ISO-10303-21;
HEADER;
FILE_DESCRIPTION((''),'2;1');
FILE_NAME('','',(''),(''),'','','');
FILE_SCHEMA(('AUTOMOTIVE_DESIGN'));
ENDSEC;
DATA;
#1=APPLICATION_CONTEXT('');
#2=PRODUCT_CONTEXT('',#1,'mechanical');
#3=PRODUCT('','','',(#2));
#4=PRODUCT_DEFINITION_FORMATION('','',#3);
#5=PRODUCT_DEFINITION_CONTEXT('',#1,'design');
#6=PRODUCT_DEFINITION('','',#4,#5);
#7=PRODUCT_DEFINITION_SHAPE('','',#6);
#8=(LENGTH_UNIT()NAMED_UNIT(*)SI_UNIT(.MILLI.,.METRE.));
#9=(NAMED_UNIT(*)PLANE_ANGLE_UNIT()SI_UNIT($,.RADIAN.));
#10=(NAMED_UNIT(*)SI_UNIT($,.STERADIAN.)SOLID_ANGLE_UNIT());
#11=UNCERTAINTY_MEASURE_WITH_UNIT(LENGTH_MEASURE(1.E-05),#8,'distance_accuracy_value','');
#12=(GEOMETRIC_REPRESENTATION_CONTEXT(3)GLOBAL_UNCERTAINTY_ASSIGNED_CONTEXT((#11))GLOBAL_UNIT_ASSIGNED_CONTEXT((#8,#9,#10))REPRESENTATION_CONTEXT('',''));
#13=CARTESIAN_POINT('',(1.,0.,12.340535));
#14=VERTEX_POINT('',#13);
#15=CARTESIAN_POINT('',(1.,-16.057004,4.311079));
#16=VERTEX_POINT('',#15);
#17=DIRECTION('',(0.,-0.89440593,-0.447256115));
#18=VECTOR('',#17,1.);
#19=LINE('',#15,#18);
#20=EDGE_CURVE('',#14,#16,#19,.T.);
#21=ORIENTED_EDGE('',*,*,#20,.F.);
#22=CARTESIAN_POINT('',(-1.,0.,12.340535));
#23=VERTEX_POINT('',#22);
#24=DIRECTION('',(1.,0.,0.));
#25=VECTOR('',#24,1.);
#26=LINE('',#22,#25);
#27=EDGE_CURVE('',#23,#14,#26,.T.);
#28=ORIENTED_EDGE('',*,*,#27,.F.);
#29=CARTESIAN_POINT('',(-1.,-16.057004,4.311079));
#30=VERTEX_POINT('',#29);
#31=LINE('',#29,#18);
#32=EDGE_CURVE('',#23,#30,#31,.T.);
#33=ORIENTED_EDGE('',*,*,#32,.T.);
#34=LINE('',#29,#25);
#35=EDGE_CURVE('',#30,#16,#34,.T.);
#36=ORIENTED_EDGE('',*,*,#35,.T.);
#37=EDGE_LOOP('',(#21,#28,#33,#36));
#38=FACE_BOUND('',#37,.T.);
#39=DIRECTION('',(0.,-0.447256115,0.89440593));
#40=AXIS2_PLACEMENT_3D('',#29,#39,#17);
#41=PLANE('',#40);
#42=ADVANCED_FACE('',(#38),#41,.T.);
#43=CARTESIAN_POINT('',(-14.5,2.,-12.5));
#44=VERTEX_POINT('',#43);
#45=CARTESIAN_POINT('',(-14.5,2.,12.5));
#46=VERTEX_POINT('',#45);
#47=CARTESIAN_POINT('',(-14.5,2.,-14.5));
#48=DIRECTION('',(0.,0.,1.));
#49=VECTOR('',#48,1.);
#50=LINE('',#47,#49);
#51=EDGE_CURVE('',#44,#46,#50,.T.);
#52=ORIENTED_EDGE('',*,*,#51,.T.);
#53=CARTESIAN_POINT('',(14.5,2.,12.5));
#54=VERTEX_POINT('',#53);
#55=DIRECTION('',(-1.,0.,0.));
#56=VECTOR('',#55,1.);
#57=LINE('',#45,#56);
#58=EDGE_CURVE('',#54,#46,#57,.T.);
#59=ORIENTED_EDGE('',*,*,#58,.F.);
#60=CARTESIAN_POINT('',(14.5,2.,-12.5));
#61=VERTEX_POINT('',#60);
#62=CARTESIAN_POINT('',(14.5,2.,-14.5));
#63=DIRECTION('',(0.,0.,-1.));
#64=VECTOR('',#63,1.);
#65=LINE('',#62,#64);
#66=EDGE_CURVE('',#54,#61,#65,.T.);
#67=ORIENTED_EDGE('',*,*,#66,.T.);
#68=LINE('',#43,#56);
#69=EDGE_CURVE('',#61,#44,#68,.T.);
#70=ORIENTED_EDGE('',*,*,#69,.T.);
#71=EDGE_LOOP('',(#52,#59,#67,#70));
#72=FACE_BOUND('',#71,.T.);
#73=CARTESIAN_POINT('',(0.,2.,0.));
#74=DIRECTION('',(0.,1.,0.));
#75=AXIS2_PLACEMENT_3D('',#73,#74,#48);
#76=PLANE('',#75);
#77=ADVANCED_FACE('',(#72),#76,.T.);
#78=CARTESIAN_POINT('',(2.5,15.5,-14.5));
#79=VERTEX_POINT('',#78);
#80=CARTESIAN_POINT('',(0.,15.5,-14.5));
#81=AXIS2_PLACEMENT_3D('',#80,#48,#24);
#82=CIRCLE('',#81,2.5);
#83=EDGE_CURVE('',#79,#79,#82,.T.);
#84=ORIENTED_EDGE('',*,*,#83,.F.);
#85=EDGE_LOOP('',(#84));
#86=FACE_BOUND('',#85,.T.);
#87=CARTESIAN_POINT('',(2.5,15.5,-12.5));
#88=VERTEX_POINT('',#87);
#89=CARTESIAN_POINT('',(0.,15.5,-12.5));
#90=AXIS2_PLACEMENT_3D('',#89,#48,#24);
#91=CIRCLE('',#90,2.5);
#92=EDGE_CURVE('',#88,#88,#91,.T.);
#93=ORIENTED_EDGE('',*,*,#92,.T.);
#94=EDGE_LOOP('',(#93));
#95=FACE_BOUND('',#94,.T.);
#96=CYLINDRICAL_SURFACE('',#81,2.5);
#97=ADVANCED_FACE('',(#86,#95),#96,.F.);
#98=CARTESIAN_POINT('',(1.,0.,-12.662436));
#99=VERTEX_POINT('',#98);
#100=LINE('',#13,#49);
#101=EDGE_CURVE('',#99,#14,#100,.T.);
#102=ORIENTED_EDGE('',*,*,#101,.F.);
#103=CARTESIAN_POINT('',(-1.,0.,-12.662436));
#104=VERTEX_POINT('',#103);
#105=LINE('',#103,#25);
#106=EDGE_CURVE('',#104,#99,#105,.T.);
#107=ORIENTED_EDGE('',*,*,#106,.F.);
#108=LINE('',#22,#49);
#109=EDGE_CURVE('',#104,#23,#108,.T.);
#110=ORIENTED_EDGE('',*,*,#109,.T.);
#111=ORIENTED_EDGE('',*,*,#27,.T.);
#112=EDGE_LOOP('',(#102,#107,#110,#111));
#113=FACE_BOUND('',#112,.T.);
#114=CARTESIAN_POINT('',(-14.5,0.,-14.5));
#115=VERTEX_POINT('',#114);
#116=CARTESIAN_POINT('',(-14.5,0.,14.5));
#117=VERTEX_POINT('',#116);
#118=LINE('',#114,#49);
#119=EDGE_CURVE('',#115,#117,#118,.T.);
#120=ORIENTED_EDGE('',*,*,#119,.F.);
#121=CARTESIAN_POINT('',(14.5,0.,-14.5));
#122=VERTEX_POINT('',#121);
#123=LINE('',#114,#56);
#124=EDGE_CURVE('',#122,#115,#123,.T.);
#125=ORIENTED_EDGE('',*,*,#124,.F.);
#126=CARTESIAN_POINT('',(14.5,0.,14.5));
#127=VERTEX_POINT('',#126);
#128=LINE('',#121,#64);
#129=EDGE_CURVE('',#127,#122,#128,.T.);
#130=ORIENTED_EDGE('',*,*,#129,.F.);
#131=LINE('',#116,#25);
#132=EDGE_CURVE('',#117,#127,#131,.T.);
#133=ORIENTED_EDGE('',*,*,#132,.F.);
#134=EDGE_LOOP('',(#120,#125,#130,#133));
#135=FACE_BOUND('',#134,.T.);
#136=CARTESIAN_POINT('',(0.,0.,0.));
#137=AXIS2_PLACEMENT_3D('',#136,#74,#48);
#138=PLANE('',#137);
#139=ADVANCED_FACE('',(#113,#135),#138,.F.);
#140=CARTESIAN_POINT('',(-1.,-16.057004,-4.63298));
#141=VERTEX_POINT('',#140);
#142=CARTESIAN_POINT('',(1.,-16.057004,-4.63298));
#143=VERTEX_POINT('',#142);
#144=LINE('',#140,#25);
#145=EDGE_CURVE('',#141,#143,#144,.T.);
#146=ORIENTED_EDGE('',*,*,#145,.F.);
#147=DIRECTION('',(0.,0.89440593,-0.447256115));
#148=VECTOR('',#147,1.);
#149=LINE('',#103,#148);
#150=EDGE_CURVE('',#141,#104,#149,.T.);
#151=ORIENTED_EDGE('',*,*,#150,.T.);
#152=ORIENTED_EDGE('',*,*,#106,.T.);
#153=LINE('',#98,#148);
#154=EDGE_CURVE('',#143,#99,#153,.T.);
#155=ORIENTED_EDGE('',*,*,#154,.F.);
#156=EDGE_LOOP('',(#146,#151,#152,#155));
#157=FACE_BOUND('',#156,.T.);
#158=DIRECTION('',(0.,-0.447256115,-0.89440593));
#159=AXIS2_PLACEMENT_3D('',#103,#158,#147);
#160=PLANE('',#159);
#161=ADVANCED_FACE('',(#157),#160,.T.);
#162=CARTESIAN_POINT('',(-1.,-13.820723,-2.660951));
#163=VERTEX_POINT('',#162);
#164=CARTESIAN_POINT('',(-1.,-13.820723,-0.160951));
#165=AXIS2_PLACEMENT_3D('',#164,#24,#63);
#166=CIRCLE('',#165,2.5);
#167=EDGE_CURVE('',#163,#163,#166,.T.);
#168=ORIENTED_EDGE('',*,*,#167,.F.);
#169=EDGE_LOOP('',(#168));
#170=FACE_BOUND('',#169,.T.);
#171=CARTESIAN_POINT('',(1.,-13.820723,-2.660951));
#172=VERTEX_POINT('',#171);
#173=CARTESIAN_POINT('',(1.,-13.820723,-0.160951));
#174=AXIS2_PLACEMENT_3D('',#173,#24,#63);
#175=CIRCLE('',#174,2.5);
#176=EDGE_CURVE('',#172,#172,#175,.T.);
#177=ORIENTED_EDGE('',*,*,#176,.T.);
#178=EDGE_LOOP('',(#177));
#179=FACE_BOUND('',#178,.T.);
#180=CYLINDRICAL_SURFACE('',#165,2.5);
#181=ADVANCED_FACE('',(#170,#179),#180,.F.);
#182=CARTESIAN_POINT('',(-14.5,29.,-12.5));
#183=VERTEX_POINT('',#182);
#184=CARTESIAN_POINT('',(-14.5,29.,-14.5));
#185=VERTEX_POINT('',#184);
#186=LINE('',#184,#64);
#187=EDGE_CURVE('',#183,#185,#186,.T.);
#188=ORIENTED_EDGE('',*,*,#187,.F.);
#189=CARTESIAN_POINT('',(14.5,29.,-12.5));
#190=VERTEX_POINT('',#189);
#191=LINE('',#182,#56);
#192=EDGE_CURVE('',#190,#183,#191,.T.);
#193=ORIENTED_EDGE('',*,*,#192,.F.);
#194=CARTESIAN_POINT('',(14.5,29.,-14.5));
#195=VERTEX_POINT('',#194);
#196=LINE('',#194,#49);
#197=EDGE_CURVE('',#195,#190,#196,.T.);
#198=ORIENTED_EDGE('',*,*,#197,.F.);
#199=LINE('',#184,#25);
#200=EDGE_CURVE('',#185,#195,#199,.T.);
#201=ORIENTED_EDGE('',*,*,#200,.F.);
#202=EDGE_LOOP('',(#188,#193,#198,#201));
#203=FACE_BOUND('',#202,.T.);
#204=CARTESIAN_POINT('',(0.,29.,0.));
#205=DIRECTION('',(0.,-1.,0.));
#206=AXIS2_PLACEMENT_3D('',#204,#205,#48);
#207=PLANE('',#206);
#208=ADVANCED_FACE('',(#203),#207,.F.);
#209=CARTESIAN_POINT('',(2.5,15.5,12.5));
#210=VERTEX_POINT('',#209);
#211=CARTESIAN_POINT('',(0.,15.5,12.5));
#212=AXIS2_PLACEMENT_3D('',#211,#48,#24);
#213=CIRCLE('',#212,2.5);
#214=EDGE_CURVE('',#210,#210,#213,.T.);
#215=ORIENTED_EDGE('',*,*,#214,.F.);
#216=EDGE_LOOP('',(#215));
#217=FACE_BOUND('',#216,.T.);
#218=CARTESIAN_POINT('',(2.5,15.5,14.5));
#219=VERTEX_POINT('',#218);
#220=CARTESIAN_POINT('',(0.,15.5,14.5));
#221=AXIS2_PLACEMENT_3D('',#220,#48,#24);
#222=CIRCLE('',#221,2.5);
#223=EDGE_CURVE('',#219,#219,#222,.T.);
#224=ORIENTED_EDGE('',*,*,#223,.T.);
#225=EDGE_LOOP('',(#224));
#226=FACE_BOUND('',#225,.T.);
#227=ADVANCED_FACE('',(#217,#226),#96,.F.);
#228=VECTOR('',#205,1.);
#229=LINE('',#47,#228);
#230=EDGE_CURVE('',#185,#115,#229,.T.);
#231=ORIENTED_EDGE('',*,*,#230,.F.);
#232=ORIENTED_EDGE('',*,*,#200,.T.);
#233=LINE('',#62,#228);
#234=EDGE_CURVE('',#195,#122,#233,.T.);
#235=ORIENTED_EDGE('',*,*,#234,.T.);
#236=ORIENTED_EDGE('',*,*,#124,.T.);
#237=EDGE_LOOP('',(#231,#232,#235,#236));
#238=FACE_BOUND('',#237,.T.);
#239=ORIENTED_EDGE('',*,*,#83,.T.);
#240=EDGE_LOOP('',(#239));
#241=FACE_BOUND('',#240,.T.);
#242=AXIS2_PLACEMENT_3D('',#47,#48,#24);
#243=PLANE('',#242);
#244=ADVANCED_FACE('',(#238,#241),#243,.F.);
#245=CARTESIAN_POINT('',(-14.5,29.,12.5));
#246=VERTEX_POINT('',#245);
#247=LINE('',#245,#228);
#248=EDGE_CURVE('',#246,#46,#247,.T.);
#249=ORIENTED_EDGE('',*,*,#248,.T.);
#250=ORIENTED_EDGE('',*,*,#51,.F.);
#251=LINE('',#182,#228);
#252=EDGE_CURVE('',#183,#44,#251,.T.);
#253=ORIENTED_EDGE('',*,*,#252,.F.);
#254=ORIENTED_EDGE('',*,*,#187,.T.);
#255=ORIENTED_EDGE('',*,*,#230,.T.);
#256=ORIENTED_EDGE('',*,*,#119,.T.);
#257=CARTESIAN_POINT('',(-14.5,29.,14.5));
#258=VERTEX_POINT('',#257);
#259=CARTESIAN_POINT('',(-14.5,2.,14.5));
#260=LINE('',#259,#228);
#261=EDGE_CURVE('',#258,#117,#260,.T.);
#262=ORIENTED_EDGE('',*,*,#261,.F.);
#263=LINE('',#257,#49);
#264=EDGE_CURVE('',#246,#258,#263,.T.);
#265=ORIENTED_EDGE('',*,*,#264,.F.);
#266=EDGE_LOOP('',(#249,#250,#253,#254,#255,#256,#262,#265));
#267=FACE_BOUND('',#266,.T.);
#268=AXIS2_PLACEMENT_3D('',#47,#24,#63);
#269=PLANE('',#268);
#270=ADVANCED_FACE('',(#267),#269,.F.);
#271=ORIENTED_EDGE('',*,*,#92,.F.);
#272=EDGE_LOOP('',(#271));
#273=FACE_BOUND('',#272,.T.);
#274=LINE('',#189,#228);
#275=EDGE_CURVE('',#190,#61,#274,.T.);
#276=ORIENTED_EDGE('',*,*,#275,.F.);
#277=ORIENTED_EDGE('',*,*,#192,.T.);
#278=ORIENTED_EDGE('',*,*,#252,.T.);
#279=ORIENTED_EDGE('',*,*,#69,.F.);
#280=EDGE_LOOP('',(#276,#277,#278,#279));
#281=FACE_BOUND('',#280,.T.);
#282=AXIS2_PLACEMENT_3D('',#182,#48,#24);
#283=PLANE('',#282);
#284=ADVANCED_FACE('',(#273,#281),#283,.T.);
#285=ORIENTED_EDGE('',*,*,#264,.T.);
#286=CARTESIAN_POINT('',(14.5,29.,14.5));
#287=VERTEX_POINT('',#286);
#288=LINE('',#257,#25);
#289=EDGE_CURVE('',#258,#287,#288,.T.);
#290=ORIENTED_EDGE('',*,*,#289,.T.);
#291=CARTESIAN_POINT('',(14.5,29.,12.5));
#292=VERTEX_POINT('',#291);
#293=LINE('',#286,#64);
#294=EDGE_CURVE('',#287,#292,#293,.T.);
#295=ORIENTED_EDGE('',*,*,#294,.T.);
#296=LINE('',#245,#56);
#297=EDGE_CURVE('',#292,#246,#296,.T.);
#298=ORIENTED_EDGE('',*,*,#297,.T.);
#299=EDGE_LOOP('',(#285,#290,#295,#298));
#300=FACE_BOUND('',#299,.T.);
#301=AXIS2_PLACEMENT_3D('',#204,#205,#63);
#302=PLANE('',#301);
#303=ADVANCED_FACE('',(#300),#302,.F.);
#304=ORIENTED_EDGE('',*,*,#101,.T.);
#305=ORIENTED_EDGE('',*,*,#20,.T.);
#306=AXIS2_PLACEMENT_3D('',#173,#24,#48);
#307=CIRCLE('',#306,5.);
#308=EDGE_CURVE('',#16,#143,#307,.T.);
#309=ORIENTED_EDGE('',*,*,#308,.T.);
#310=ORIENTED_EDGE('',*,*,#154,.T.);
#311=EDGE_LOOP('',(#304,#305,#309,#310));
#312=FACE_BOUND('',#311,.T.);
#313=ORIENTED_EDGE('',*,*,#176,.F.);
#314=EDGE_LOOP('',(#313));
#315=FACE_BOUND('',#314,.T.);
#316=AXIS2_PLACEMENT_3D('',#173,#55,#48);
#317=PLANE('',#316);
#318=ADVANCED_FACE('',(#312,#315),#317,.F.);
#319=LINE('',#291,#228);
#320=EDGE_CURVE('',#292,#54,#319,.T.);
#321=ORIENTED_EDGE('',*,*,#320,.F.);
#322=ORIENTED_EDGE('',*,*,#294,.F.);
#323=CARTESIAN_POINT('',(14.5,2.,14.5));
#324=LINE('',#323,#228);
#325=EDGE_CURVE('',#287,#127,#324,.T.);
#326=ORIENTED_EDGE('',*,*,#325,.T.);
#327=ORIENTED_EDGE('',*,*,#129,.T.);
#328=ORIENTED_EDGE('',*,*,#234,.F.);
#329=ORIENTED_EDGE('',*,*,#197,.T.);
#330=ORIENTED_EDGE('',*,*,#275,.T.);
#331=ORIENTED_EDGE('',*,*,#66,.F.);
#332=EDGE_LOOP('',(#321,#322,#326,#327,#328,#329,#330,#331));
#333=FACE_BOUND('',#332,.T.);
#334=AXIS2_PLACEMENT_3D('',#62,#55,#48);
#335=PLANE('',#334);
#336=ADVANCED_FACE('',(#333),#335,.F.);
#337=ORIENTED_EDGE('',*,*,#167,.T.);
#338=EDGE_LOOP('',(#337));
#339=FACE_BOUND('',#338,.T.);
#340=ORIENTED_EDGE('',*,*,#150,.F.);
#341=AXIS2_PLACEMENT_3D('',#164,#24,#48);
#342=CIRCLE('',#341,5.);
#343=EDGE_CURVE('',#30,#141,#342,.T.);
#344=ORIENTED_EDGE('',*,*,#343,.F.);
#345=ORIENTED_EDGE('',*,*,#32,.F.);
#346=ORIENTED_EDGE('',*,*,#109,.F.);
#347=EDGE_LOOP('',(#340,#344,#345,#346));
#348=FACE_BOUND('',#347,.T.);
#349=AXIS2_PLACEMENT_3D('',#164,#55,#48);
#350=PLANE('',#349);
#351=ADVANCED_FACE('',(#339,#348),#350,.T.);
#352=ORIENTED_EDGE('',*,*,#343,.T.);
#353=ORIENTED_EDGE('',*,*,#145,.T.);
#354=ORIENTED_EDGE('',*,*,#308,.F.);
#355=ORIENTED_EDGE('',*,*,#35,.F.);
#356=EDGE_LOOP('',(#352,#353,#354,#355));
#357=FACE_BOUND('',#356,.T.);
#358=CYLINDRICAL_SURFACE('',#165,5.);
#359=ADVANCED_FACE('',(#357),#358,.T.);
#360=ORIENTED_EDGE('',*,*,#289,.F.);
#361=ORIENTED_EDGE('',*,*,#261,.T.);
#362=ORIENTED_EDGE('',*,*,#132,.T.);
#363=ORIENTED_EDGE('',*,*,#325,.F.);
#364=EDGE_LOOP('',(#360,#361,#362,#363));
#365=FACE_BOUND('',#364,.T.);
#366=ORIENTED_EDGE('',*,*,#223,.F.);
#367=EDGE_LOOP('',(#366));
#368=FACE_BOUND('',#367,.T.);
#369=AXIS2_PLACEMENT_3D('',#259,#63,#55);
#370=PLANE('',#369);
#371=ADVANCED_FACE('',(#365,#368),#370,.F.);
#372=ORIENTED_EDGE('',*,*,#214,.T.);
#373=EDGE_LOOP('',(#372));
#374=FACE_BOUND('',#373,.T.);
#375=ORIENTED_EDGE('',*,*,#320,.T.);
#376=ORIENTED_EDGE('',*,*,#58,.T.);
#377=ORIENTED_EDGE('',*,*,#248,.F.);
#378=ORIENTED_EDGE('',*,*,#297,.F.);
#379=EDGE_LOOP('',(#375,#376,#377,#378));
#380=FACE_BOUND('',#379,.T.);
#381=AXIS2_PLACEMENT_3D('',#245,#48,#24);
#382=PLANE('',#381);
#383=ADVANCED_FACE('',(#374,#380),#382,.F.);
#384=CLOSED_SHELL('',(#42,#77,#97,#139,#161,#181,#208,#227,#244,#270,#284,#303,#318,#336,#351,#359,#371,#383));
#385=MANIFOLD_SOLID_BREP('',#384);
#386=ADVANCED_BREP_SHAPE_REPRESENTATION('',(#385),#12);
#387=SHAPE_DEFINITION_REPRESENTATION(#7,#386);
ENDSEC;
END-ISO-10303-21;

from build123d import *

# Parameters (mm, degrees)
SKETCH1_W                = 29
SKETCH1_H                = 29
BOSS_EXTRUDE1_DEPTH      = 2
SKETCH2_W                = 29
SKETCH2_H                = 2
BOSS_EXTRUDE2_DEPTH      = 27
SKETCH4_R                = 2.5
CUT_EXTRUDE1_DEPTH       = 30
SKETCH6_R                = 2.5
BOSS_EXTRUDE3_DEPTH      = 1
BOSS_EXTRUDE3_DEPTH_BACK = 1


with BuildPart() as part:
    # Sketch1 → Boss-Extrude1 (new body)
    with BuildSketch(Plane(origin=(0, 0, 0), x_dir=(1, 0, 0), z_dir=(0, 1, 0))):
        Rectangle(SKETCH1_W, SKETCH1_H)
    extrude(amount=BOSS_EXTRUDE1_DEPTH)

    # Sketch2 → Boss-Extrude2 (add)
    with BuildSketch(Plane(origin=(0, 2, 0), x_dir=(1, 0, 0), z_dir=(0, 1, 0))):
        with Locations((0, -13.5)):
            Rectangle(SKETCH2_W, SKETCH2_H)
    boss_extrude2 = extrude(amount=BOSS_EXTRUDE2_DEPTH)

    # Mirror1: Boss-Extrude2 across plane
    add(boss_extrude2.mirror(Plane.XY))

    # Sketch4 → Cut-Extrude1 (cut, through all)
    with BuildSketch(Plane.XY.offset(14.5)):
        with Locations((0, 15.5)):
            Circle(SKETCH4_R)
    extrude(amount=-CUT_EXTRUDE1_DEPTH, mode=Mode.SUBTRACT)

    # Sketch6 → Boss-Extrude3 (add, two sides)
    with BuildSketch(Plane(origin=(0, 0, 0), x_dir=(0, 0, -1), z_dir=(1, 0, 0))) as boss_extrude3_sk:
        with BuildLine():
            Line((-12.340534921, 0), (12.662436349, 0))
            Line((12.662436349, 0), (4.632980363, -16.057003584))
            ThreePointArc((4.632980363, -16.057003584), (0.160950714, -18.820723008), (-4.311078935, -16.057003584))
            Line((-4.311078935, -16.057003584), (-12.340534921, 0))
        make_face()
        with Locations((0.160950714, -13.820723008)):
            Circle(SKETCH6_R, mode=Mode.SUBTRACT)
    extrude(amount=BOSS_EXTRUDE3_DEPTH)
    extrude(boss_extrude3_sk.sketch, amount=-BOSS_EXTRUDE3_DEPTH_BACK)


solid = part.part
